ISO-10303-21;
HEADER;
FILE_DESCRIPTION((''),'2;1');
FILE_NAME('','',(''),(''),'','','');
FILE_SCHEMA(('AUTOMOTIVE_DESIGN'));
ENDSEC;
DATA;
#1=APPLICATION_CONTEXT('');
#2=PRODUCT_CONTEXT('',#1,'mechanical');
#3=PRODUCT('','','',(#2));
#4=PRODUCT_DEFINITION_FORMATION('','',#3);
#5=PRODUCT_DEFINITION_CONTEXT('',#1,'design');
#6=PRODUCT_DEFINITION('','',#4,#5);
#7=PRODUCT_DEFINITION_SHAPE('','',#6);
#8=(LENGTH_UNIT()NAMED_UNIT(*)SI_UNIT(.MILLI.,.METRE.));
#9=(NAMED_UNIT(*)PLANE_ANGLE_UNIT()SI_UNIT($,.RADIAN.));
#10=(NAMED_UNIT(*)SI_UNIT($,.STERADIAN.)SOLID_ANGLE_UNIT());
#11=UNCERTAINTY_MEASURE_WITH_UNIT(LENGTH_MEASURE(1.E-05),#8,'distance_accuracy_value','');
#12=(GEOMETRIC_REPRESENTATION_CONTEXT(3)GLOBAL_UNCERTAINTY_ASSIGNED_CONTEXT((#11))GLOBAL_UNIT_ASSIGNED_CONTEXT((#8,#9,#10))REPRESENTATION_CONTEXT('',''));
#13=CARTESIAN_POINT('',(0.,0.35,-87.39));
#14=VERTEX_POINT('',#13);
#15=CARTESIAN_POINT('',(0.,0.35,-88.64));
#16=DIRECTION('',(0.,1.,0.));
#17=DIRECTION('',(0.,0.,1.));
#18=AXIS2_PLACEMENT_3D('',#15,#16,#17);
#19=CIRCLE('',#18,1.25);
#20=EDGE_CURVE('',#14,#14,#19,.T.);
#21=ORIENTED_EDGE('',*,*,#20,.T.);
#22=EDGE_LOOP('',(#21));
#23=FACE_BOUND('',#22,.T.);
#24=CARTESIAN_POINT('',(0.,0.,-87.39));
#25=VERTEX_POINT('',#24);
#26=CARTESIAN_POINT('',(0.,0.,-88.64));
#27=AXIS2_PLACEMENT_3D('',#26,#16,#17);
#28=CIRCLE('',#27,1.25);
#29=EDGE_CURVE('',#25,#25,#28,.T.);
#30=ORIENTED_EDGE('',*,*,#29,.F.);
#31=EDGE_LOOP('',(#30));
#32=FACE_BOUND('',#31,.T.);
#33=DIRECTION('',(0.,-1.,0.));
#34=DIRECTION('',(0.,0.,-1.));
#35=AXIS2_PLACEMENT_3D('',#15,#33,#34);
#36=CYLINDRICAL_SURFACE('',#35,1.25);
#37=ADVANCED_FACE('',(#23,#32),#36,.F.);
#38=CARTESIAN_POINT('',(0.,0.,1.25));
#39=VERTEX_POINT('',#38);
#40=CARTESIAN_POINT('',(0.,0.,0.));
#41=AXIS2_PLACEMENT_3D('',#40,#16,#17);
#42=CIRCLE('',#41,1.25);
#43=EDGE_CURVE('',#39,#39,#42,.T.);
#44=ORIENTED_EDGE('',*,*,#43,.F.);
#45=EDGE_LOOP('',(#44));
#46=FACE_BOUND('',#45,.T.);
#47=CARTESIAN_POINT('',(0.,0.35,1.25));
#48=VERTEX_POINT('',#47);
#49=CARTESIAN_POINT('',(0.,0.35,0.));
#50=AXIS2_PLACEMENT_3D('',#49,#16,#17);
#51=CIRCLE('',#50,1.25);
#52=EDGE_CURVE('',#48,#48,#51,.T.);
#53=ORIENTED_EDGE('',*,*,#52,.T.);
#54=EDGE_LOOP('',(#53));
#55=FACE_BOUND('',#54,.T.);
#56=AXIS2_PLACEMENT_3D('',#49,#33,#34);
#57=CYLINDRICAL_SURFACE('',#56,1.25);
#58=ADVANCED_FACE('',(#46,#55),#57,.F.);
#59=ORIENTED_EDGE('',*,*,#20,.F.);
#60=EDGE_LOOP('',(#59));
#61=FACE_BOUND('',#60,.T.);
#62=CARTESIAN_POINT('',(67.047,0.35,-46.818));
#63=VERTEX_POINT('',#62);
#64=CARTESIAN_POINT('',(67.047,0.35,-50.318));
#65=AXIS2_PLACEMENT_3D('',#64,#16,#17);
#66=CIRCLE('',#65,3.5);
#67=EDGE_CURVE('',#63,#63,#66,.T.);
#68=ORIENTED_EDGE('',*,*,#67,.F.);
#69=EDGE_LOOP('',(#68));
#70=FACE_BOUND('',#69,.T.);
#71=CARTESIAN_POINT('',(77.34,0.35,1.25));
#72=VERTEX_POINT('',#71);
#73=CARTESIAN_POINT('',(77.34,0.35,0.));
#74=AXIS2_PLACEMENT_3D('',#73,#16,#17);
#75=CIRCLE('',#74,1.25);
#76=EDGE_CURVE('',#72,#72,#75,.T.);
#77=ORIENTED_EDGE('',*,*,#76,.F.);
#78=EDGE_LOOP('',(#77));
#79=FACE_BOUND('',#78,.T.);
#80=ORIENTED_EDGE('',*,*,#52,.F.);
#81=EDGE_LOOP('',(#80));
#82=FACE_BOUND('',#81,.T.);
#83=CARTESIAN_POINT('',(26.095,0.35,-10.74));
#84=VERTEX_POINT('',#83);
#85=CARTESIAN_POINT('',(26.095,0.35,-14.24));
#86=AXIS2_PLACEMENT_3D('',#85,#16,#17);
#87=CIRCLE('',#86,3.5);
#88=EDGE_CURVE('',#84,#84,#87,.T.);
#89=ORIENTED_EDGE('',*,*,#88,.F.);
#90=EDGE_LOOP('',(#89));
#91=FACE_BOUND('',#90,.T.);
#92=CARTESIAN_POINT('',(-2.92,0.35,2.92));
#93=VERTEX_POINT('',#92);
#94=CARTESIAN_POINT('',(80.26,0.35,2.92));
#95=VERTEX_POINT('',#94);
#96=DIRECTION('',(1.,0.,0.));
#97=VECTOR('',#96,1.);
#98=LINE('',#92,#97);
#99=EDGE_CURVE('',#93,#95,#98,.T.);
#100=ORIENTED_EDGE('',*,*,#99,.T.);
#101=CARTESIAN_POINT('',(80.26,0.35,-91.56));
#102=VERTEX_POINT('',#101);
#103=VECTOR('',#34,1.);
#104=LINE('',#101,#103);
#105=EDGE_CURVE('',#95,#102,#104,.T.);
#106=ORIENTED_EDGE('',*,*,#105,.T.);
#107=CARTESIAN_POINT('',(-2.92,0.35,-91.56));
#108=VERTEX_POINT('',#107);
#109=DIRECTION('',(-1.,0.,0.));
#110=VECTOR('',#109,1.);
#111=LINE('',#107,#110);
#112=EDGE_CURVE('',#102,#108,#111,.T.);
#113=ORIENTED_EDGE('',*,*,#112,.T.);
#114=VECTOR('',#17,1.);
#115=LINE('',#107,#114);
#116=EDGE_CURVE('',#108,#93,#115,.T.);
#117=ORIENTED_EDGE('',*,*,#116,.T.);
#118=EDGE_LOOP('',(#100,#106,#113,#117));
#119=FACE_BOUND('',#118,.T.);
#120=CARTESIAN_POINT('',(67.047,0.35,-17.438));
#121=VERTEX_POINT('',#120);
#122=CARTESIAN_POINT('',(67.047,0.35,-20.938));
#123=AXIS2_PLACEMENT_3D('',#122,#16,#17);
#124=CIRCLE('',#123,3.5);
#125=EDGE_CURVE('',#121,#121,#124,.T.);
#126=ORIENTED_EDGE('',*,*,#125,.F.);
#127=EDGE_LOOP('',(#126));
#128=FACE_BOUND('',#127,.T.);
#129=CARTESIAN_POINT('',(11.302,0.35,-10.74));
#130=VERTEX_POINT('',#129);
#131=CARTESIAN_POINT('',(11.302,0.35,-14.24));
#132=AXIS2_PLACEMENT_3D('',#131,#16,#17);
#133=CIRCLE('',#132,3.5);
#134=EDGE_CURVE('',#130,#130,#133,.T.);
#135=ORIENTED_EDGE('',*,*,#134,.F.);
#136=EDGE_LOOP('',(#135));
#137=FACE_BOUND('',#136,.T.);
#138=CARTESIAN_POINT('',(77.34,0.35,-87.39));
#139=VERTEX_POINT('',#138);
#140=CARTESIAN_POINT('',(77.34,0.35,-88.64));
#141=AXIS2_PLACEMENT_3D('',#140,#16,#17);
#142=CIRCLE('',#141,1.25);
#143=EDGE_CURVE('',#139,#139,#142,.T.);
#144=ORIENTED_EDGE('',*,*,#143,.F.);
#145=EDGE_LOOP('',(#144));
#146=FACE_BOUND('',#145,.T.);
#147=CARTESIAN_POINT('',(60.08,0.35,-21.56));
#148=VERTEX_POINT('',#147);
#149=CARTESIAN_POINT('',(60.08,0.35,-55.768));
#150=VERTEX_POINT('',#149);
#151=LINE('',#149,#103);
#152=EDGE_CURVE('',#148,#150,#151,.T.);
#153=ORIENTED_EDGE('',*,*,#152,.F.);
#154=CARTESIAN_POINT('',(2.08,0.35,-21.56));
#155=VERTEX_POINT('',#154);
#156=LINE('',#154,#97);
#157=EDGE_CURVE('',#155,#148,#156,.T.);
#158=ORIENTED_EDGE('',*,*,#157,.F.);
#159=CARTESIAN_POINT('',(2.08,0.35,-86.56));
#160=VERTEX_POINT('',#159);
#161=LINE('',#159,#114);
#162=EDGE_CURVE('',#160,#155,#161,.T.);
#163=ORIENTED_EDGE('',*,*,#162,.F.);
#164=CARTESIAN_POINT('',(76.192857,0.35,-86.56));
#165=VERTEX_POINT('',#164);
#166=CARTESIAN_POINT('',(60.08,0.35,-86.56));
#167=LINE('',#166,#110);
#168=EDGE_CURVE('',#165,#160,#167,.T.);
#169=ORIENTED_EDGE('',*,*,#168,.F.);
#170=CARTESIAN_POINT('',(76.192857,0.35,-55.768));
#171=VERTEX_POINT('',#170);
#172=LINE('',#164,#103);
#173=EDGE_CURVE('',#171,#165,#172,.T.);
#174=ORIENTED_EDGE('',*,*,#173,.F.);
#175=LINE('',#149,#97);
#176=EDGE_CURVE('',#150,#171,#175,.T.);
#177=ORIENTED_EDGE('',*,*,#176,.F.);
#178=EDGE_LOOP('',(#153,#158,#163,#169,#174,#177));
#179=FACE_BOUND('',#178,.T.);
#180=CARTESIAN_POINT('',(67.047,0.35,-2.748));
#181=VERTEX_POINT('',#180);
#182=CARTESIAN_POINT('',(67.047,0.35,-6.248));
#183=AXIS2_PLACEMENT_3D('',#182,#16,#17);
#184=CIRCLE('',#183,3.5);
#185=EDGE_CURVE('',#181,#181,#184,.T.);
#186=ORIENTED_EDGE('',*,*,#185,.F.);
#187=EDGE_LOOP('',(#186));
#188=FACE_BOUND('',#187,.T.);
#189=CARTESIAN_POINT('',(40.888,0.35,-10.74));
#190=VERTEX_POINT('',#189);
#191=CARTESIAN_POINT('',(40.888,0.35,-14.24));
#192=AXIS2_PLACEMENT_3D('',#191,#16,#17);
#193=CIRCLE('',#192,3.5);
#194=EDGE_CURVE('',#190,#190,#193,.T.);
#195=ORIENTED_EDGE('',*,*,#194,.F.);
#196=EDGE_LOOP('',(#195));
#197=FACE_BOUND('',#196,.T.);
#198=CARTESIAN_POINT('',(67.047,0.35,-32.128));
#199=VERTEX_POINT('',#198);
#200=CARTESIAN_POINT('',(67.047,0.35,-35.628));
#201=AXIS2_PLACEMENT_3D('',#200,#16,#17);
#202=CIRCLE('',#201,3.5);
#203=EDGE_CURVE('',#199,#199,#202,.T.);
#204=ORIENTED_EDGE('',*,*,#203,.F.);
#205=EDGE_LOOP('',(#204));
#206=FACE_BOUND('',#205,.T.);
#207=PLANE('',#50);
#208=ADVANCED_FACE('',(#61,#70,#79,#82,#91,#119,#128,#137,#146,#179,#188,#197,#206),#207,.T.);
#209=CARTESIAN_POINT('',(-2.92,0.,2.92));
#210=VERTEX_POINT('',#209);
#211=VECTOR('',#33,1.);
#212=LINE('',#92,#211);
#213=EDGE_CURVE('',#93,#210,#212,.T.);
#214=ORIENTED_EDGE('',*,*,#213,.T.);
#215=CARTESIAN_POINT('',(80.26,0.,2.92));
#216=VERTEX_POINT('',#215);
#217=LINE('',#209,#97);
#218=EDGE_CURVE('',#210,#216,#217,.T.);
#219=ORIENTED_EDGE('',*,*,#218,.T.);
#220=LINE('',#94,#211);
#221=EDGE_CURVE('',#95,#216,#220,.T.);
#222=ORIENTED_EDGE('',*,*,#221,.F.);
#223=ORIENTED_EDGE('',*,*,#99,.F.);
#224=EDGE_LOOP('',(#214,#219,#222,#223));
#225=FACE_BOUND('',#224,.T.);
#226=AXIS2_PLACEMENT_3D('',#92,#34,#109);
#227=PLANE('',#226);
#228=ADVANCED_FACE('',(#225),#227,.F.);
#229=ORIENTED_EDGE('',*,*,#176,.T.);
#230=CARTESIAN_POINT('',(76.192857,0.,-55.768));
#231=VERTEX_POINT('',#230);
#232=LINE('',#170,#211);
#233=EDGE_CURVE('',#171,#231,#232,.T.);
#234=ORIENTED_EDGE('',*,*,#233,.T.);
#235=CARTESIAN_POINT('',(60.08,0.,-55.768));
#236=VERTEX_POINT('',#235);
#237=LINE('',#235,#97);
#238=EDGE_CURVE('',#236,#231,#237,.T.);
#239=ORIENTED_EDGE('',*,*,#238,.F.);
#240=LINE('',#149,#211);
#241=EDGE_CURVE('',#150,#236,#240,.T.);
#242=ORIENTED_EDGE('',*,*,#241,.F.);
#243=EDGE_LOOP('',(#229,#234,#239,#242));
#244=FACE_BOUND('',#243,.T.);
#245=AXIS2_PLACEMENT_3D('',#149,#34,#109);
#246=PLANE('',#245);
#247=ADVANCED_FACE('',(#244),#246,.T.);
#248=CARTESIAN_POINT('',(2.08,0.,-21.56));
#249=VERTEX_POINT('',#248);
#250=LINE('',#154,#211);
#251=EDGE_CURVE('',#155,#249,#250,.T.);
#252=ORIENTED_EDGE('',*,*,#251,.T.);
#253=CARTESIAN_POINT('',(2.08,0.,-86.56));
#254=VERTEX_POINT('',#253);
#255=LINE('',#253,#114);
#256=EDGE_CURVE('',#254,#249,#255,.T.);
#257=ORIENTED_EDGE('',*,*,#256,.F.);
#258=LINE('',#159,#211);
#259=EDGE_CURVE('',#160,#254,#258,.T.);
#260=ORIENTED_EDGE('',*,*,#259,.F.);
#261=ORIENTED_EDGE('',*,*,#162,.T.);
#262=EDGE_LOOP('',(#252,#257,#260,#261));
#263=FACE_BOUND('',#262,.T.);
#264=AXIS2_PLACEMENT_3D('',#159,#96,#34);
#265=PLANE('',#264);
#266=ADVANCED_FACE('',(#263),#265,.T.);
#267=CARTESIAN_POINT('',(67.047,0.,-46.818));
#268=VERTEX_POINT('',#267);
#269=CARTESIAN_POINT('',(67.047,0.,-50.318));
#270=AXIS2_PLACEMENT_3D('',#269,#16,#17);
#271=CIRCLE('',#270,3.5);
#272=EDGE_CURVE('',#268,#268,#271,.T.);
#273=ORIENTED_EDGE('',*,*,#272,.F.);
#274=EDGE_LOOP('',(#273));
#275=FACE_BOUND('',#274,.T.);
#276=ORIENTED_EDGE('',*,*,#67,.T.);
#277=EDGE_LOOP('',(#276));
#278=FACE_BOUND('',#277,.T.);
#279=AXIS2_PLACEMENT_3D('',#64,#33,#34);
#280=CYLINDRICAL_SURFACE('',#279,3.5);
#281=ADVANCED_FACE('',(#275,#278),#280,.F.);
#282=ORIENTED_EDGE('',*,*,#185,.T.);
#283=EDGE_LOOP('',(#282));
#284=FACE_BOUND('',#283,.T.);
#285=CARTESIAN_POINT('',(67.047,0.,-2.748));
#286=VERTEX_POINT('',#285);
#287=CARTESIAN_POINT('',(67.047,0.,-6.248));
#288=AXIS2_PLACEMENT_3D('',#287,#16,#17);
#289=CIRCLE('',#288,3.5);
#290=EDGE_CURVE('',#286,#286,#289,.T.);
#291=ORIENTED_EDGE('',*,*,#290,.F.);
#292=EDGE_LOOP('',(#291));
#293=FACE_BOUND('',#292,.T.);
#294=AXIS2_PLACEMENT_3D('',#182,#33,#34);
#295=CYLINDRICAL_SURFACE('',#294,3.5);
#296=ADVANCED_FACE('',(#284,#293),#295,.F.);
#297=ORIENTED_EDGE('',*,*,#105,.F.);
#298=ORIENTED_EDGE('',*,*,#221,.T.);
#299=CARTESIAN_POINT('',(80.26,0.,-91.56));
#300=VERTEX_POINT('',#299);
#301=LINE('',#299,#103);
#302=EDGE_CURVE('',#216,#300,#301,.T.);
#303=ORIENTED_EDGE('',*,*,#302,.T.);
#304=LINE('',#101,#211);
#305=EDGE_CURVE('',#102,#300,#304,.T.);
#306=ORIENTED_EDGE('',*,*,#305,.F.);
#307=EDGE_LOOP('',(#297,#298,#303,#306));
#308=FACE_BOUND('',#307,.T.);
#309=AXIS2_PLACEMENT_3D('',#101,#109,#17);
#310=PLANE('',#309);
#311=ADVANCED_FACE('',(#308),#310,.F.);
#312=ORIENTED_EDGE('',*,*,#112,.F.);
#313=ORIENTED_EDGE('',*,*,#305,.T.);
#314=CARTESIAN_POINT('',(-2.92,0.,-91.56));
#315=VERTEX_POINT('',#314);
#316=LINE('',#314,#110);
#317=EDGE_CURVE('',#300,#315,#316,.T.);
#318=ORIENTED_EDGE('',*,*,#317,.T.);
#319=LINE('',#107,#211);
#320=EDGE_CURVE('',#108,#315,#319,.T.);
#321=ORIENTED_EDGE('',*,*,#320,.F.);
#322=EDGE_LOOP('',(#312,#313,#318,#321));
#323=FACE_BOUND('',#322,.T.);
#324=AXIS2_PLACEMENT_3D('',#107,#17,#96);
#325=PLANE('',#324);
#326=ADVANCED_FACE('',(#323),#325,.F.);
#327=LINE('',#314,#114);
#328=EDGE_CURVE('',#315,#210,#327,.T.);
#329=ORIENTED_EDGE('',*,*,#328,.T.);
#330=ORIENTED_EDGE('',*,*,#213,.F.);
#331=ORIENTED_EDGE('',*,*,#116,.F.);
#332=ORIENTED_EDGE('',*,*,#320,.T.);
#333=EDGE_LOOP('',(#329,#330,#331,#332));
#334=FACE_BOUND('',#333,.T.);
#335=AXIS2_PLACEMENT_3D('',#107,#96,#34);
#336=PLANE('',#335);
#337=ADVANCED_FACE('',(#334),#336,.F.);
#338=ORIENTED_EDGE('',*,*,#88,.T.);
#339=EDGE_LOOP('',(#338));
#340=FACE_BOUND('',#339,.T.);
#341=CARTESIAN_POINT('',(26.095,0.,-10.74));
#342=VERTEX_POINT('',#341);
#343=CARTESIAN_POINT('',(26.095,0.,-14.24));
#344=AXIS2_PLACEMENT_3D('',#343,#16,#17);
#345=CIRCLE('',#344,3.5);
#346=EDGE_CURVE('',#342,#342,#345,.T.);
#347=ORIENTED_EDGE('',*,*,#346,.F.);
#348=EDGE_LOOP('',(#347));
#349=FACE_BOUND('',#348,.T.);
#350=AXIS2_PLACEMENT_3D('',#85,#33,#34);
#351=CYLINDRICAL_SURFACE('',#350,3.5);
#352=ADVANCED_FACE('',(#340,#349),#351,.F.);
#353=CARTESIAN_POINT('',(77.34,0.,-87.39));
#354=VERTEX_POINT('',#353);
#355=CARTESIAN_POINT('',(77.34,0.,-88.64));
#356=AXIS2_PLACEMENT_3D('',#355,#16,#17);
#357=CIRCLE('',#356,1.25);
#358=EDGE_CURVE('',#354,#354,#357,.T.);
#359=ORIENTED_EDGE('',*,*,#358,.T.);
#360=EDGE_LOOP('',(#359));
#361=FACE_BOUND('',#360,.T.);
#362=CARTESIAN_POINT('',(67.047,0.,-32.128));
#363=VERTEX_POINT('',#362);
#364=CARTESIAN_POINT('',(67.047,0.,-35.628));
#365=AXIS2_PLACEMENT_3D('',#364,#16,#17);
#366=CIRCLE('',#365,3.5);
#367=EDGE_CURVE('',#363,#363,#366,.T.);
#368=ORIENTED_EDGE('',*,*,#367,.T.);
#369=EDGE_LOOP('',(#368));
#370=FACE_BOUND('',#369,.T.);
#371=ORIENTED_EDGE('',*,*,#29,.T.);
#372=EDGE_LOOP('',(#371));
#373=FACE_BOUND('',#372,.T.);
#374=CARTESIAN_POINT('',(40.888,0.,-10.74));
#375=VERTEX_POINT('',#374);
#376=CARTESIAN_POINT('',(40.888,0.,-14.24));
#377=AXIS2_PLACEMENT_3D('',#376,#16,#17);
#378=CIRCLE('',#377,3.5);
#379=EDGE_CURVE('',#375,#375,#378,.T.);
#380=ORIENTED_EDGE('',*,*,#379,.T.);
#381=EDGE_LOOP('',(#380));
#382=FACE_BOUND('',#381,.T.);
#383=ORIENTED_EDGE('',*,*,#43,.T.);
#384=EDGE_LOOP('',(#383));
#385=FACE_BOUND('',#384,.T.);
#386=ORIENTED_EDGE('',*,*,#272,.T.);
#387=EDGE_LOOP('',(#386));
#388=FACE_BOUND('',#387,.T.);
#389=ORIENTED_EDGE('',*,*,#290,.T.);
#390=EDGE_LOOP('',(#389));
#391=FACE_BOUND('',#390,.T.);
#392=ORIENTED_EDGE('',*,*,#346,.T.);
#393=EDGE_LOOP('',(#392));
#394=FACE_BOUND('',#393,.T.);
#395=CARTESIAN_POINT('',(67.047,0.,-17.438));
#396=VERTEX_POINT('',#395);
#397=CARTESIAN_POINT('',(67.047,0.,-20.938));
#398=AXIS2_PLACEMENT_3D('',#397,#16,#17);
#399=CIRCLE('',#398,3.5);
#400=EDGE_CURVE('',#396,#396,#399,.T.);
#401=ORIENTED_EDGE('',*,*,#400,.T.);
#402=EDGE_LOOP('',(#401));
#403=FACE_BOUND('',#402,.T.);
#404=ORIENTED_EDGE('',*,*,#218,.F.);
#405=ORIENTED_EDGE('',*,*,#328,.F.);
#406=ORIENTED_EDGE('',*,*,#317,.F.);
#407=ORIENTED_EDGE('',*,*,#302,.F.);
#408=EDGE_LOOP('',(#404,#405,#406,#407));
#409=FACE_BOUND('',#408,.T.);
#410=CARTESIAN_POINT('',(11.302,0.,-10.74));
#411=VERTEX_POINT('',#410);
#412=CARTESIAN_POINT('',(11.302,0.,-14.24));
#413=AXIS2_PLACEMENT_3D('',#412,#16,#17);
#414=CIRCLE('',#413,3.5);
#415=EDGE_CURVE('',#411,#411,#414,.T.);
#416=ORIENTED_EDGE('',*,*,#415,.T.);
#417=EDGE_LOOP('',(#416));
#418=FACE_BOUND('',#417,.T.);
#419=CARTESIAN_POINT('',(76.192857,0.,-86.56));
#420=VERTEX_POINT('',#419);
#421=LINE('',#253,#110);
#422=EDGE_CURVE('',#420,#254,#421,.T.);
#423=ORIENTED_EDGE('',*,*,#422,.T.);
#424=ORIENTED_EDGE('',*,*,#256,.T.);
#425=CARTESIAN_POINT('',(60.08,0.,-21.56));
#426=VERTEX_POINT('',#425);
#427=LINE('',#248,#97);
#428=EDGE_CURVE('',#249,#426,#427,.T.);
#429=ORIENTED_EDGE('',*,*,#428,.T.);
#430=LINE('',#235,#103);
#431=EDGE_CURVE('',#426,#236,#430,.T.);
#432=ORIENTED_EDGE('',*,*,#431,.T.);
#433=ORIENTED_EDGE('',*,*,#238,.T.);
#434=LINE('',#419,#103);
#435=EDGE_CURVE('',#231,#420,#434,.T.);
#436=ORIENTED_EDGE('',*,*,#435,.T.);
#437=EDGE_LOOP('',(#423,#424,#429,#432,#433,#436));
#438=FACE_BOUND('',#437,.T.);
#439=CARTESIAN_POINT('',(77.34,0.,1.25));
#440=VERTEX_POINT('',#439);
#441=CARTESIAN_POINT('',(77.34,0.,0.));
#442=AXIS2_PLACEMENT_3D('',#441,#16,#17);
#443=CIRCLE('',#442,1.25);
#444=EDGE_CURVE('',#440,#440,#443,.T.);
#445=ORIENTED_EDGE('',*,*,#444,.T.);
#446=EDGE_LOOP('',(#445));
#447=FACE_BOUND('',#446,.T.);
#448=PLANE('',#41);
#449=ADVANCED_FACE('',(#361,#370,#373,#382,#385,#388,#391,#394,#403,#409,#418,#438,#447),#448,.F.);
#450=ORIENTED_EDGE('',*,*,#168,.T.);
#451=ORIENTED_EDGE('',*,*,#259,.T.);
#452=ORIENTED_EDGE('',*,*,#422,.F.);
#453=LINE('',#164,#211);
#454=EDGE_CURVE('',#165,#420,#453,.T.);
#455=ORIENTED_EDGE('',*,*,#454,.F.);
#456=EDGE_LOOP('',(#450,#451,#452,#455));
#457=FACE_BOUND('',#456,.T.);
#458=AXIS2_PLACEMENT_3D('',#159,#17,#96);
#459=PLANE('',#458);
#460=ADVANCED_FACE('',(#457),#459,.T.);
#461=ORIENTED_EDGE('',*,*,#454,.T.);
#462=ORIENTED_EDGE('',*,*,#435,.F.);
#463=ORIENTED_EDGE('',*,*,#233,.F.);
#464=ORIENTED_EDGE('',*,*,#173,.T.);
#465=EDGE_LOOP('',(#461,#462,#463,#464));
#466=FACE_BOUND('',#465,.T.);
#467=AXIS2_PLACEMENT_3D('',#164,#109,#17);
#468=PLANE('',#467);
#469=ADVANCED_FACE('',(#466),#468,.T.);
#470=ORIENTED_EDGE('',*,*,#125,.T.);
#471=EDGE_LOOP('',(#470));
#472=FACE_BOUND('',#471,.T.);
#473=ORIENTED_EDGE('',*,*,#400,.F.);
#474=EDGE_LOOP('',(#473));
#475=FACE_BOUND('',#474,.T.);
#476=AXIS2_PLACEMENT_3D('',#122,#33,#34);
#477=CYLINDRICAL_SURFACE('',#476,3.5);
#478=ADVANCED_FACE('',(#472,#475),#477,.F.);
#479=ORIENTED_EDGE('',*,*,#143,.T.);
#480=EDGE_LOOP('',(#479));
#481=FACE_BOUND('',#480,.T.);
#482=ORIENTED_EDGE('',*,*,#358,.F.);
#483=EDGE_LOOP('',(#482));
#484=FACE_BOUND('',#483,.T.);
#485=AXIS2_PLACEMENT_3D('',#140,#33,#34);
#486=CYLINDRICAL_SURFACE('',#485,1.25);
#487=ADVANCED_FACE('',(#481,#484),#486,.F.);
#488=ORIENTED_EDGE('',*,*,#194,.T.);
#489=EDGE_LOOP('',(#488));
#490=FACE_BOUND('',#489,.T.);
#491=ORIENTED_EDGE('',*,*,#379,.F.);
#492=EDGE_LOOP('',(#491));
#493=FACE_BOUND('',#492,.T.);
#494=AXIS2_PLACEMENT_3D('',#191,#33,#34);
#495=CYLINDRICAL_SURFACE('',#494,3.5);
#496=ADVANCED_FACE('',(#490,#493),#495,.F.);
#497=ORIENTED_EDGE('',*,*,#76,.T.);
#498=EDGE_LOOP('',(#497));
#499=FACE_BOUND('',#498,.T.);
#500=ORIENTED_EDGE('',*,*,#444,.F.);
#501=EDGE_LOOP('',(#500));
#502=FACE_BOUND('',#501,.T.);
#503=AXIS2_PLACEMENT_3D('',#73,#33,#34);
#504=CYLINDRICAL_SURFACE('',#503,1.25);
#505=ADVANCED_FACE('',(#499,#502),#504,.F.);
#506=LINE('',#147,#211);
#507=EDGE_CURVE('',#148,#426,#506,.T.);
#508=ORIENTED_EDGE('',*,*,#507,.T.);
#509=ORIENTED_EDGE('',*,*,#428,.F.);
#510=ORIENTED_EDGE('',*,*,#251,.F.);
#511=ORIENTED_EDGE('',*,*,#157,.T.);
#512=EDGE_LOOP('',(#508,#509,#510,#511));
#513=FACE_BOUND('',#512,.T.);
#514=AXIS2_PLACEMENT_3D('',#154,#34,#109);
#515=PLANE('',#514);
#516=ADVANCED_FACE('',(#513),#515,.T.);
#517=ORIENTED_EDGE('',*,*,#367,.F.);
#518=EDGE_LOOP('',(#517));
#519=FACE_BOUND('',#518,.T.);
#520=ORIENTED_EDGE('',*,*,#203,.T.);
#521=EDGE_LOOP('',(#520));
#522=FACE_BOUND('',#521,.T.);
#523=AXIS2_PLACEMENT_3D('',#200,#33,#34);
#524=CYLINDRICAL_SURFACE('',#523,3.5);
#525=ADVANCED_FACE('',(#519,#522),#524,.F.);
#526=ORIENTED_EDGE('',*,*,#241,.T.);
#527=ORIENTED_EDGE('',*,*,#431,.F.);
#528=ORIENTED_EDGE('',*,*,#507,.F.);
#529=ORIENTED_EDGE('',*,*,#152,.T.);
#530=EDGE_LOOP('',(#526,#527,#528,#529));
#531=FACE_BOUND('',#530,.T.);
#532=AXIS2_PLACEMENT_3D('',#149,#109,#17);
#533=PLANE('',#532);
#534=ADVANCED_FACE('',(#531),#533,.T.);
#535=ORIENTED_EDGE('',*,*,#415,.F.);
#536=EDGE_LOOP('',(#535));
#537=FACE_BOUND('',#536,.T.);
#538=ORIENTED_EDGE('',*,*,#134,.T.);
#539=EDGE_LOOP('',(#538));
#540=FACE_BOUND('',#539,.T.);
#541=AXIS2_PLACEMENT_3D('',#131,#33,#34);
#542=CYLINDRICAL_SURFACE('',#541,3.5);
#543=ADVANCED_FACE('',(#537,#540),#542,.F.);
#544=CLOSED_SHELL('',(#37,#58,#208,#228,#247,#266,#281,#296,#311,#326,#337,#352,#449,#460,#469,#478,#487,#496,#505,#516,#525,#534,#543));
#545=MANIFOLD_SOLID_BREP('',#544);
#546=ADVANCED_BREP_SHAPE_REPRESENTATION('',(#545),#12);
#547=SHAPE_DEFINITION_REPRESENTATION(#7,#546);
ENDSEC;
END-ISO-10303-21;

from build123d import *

# Parameters (mm, degrees)
SKETCH1_W           = 83.18
SKETCH1_H           = 94.48
SKETCH1_R           = 1.25
SKETCH1_R_2         = 3.5
BOSS_EXTRUDE1_DEPTH = 0.35


with BuildPart() as part:
    # Sketch1 → Boss-Extrude1 (new body)
    with BuildSketch(Plane(origin=(0, 0, 0), x_dir=(1, 0, 0), z_dir=(0, 1, 0))):
        with Locations((38.67, 44.32)):
            Rectangle(SKETCH1_W, SKETCH1_H)
        with Locations(Location((0, 88.64, 0), (0, 0, 270))):
            Circle(SKETCH1_R, mode=Mode.SUBTRACT)
        with Locations(Location((77.34, 88.64, 0), (0, 0, 270))):
            Circle(SKETCH1_R, mode=Mode.SUBTRACT)
        with Locations(Location((77.34, 0, 0), (0, 0, 270))):
            Circle(SKETCH1_R, mode=Mode.SUBTRACT)
        with Locations(Location((0, 0, 0), (0, 0, 270))):
            Circle(SKETCH1_R, mode=Mode.SUBTRACT)
        with Locations(Location((11.302, 14.24, 0), (0, 0, 270))):
            Circle(SKETCH1_R_2, mode=Mode.SUBTRACT)
        with Locations(Location((26.095, 14.24, 0), (0, 0, 270))):
            Circle(SKETCH1_R_2, mode=Mode.SUBTRACT)
        with Locations(Location((40.888, 14.24, 0), (0, 0, 270))):
            Circle(SKETCH1_R_2, mode=Mode.SUBTRACT)
        with Locations(Location((67.047, 6.248, 0), (0, 0, 270))):
            Circle(SKETCH1_R_2, mode=Mode.SUBTRACT)
        with Locations(Location((67.047, 20.938, 0), (0, 0, 270))):
            Circle(SKETCH1_R_2, mode=Mode.SUBTRACT)
        with Locations(Location((67.047, 35.628, 0), (0, 0, 270))):
            Circle(SKETCH1_R_2, mode=Mode.SUBTRACT)
        with Locations(Location((67.047, 50.318, 0), (0, 0, 270))):
            Circle(SKETCH1_R_2, mode=Mode.SUBTRACT)
        Polygon((2.08, 86.56), (60.08, 86.56), (76.192857175, 86.56), (76.192857175, 55.768), (60.08, 55.768), (60.08, 21.56), (2.08, 21.56), align=None, mode=Mode.SUBTRACT)
    extrude(amount=BOSS_EXTRUDE1_DEPTH)


solid = part.part
